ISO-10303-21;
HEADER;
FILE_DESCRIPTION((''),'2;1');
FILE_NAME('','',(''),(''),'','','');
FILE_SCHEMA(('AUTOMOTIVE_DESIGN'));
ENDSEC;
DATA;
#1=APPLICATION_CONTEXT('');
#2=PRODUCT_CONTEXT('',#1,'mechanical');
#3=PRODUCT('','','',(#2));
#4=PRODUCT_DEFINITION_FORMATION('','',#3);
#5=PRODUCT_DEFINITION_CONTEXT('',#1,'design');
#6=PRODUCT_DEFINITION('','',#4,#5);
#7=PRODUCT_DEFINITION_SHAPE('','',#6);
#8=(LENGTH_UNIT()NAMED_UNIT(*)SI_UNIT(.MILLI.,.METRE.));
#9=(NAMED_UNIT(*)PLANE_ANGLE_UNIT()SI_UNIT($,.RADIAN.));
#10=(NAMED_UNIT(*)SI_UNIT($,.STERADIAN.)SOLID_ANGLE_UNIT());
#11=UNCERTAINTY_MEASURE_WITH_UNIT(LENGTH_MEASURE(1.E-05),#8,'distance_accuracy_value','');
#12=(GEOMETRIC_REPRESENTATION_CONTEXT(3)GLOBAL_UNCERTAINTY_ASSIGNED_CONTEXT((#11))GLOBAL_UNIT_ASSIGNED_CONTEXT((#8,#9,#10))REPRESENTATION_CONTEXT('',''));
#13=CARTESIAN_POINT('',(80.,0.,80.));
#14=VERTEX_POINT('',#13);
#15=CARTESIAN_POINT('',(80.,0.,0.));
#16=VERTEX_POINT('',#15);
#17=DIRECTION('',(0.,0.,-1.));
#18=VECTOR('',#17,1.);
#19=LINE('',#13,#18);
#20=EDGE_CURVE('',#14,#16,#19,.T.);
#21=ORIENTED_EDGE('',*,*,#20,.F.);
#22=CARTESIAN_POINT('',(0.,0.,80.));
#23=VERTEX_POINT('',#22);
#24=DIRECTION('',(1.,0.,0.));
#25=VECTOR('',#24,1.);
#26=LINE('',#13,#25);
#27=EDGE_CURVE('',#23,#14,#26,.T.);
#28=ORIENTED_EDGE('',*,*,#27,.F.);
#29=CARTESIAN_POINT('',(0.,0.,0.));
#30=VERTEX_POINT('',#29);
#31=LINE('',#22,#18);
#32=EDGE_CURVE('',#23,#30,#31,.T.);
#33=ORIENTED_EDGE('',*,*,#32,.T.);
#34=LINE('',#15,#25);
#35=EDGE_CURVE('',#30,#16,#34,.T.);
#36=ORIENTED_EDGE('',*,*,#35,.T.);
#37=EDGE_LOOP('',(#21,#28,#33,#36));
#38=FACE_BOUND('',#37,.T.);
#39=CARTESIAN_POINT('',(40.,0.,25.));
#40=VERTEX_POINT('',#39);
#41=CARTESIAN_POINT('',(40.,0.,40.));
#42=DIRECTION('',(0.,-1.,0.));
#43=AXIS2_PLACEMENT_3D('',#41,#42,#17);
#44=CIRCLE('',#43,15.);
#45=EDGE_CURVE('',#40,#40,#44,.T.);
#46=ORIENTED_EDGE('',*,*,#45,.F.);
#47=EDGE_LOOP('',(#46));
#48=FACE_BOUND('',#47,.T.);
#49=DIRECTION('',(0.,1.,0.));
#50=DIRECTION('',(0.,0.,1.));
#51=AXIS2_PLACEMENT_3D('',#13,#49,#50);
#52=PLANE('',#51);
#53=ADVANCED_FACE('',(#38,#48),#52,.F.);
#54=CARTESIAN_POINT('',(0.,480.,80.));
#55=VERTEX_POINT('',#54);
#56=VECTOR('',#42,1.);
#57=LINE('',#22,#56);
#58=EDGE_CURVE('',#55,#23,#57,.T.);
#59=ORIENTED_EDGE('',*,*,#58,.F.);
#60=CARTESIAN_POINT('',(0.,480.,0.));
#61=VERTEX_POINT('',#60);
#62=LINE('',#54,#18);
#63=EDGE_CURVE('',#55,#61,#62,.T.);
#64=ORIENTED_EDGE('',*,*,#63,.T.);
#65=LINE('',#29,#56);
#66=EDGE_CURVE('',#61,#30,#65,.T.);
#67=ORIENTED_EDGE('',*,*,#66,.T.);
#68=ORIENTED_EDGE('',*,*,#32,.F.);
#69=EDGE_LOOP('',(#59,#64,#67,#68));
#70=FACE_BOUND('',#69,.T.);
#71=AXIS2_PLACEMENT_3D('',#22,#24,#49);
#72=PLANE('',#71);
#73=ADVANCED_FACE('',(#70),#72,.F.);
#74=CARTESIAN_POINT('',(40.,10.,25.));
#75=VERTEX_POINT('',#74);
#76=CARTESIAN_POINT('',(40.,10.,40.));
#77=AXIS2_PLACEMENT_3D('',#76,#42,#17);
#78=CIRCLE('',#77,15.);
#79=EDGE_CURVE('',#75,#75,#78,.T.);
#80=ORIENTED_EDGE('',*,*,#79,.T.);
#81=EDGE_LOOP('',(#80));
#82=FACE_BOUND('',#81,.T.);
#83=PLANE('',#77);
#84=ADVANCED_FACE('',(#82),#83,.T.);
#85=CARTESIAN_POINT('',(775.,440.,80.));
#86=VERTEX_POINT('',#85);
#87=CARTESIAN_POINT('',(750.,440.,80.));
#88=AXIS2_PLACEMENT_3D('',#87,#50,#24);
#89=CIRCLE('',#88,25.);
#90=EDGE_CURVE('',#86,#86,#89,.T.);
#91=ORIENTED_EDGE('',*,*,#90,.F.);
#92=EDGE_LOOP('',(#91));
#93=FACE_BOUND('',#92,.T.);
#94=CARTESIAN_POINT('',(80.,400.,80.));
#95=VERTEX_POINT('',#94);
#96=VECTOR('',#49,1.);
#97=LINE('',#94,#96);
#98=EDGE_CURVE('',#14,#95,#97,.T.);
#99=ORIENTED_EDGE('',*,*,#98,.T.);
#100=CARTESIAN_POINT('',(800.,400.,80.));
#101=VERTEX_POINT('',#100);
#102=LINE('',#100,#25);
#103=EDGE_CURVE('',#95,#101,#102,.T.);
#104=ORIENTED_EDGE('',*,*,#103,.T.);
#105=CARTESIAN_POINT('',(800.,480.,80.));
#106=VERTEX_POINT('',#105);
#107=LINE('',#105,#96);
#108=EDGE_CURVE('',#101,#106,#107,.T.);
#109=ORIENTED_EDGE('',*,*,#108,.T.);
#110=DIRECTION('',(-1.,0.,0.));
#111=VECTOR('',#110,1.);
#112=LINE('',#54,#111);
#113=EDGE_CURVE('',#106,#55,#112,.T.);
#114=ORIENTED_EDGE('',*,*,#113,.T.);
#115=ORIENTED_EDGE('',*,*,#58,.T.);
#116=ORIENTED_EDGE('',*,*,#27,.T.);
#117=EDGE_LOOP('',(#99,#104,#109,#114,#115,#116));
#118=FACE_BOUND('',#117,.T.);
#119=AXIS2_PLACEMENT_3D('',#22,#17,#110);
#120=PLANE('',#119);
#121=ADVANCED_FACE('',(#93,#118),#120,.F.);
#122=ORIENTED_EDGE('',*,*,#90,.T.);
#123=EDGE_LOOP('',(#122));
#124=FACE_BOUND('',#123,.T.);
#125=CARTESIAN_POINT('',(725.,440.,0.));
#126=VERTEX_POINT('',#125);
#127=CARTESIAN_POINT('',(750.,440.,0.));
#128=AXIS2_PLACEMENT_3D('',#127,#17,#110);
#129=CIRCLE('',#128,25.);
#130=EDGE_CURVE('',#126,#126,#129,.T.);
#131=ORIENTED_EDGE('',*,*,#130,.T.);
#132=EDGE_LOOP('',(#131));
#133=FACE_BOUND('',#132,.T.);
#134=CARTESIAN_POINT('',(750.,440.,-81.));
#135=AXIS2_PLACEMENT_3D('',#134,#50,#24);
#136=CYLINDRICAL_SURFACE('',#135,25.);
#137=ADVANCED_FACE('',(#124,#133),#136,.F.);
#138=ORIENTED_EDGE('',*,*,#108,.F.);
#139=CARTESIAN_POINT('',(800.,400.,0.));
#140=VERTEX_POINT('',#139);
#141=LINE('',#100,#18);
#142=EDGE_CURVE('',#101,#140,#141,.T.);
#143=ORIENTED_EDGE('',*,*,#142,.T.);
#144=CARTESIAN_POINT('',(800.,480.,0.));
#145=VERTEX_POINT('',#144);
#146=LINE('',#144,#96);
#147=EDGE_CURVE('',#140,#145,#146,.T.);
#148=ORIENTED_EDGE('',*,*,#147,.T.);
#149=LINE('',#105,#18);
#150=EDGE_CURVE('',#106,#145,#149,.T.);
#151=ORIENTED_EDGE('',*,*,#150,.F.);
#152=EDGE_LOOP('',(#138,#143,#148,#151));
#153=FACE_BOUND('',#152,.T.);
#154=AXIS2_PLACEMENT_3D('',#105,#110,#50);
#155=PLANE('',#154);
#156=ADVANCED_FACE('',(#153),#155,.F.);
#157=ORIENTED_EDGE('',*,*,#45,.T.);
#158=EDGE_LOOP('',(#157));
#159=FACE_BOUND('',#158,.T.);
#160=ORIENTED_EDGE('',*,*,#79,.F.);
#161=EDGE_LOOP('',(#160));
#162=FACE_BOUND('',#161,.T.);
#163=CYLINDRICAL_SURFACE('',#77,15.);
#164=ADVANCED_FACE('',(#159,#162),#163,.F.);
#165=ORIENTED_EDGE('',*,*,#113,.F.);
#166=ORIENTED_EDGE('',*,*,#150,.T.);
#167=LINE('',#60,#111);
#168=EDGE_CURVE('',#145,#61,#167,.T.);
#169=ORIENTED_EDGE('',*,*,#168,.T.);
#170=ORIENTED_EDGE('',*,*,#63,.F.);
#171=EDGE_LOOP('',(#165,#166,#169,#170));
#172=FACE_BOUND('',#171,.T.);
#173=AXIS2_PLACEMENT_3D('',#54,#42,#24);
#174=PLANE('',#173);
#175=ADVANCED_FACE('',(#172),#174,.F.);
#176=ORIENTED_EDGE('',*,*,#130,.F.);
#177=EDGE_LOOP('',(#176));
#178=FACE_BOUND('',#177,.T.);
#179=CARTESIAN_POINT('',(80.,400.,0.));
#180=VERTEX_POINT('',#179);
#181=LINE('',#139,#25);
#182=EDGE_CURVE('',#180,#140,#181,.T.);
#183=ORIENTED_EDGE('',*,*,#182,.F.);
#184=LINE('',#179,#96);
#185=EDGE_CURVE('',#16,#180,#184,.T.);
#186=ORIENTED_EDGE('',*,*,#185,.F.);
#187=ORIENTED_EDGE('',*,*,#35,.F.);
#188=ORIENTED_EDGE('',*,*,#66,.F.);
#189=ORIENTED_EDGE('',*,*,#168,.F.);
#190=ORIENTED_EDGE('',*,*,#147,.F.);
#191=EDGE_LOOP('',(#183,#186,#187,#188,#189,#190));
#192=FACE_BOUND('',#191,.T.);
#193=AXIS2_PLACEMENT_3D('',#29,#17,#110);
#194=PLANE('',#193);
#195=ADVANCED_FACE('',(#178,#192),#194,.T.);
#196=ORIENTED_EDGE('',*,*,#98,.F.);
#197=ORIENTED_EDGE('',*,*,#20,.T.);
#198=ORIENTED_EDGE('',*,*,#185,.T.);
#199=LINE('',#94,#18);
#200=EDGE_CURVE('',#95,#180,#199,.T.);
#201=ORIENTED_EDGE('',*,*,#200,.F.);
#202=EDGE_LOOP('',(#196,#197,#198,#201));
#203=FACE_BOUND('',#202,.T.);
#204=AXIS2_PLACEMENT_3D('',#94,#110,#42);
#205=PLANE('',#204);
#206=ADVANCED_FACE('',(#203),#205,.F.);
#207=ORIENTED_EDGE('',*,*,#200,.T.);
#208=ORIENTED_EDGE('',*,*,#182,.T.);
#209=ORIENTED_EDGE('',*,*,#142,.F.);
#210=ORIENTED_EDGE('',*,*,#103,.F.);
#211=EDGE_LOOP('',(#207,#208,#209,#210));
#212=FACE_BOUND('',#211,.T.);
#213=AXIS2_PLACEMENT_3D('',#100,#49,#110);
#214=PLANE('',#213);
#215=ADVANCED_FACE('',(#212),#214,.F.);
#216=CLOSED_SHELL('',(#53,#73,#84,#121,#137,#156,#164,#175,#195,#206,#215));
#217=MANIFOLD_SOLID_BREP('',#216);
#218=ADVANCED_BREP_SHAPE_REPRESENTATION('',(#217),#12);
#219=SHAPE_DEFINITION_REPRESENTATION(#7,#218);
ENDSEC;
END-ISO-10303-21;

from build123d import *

# Parameters (mm, degrees)
BOSS_EXTRUDE1_DEPTH = 80
SKETCH2_R           = 25
CUT_EXTRUDE1_DEPTH  = 161
SKETCH3_R           = 15
CUT_EXTRUDE2_DEPTH  = 10


with BuildPart() as part:
    # Sketch1 → Boss-Extrude1 (new body)
    with BuildSketch(Plane.XY):
        Polygon((0, 0), (0, 480), (800, 480), (800, 400), (80, 400), (80, 0), align=None)
    extrude(amount=BOSS_EXTRUDE1_DEPTH)

    # Sketch2 → Cut-Extrude1 (cut)
    with BuildSketch(Plane.XY.offset(80)):
        with Locations((750, 440)):
            Circle(SKETCH2_R)
    extrude(amount=-CUT_EXTRUDE1_DEPTH, mode=Mode.SUBTRACT)

    # Sketch3 → Cut-Extrude2 (cut)
    with BuildSketch(Plane.XZ):
        with Locations(Location((40, 40, 0), (0, 0, 270))):
            Circle(SKETCH3_R)
    extrude(amount=-CUT_EXTRUDE2_DEPTH, mode=Mode.SUBTRACT)


solid = part.part
